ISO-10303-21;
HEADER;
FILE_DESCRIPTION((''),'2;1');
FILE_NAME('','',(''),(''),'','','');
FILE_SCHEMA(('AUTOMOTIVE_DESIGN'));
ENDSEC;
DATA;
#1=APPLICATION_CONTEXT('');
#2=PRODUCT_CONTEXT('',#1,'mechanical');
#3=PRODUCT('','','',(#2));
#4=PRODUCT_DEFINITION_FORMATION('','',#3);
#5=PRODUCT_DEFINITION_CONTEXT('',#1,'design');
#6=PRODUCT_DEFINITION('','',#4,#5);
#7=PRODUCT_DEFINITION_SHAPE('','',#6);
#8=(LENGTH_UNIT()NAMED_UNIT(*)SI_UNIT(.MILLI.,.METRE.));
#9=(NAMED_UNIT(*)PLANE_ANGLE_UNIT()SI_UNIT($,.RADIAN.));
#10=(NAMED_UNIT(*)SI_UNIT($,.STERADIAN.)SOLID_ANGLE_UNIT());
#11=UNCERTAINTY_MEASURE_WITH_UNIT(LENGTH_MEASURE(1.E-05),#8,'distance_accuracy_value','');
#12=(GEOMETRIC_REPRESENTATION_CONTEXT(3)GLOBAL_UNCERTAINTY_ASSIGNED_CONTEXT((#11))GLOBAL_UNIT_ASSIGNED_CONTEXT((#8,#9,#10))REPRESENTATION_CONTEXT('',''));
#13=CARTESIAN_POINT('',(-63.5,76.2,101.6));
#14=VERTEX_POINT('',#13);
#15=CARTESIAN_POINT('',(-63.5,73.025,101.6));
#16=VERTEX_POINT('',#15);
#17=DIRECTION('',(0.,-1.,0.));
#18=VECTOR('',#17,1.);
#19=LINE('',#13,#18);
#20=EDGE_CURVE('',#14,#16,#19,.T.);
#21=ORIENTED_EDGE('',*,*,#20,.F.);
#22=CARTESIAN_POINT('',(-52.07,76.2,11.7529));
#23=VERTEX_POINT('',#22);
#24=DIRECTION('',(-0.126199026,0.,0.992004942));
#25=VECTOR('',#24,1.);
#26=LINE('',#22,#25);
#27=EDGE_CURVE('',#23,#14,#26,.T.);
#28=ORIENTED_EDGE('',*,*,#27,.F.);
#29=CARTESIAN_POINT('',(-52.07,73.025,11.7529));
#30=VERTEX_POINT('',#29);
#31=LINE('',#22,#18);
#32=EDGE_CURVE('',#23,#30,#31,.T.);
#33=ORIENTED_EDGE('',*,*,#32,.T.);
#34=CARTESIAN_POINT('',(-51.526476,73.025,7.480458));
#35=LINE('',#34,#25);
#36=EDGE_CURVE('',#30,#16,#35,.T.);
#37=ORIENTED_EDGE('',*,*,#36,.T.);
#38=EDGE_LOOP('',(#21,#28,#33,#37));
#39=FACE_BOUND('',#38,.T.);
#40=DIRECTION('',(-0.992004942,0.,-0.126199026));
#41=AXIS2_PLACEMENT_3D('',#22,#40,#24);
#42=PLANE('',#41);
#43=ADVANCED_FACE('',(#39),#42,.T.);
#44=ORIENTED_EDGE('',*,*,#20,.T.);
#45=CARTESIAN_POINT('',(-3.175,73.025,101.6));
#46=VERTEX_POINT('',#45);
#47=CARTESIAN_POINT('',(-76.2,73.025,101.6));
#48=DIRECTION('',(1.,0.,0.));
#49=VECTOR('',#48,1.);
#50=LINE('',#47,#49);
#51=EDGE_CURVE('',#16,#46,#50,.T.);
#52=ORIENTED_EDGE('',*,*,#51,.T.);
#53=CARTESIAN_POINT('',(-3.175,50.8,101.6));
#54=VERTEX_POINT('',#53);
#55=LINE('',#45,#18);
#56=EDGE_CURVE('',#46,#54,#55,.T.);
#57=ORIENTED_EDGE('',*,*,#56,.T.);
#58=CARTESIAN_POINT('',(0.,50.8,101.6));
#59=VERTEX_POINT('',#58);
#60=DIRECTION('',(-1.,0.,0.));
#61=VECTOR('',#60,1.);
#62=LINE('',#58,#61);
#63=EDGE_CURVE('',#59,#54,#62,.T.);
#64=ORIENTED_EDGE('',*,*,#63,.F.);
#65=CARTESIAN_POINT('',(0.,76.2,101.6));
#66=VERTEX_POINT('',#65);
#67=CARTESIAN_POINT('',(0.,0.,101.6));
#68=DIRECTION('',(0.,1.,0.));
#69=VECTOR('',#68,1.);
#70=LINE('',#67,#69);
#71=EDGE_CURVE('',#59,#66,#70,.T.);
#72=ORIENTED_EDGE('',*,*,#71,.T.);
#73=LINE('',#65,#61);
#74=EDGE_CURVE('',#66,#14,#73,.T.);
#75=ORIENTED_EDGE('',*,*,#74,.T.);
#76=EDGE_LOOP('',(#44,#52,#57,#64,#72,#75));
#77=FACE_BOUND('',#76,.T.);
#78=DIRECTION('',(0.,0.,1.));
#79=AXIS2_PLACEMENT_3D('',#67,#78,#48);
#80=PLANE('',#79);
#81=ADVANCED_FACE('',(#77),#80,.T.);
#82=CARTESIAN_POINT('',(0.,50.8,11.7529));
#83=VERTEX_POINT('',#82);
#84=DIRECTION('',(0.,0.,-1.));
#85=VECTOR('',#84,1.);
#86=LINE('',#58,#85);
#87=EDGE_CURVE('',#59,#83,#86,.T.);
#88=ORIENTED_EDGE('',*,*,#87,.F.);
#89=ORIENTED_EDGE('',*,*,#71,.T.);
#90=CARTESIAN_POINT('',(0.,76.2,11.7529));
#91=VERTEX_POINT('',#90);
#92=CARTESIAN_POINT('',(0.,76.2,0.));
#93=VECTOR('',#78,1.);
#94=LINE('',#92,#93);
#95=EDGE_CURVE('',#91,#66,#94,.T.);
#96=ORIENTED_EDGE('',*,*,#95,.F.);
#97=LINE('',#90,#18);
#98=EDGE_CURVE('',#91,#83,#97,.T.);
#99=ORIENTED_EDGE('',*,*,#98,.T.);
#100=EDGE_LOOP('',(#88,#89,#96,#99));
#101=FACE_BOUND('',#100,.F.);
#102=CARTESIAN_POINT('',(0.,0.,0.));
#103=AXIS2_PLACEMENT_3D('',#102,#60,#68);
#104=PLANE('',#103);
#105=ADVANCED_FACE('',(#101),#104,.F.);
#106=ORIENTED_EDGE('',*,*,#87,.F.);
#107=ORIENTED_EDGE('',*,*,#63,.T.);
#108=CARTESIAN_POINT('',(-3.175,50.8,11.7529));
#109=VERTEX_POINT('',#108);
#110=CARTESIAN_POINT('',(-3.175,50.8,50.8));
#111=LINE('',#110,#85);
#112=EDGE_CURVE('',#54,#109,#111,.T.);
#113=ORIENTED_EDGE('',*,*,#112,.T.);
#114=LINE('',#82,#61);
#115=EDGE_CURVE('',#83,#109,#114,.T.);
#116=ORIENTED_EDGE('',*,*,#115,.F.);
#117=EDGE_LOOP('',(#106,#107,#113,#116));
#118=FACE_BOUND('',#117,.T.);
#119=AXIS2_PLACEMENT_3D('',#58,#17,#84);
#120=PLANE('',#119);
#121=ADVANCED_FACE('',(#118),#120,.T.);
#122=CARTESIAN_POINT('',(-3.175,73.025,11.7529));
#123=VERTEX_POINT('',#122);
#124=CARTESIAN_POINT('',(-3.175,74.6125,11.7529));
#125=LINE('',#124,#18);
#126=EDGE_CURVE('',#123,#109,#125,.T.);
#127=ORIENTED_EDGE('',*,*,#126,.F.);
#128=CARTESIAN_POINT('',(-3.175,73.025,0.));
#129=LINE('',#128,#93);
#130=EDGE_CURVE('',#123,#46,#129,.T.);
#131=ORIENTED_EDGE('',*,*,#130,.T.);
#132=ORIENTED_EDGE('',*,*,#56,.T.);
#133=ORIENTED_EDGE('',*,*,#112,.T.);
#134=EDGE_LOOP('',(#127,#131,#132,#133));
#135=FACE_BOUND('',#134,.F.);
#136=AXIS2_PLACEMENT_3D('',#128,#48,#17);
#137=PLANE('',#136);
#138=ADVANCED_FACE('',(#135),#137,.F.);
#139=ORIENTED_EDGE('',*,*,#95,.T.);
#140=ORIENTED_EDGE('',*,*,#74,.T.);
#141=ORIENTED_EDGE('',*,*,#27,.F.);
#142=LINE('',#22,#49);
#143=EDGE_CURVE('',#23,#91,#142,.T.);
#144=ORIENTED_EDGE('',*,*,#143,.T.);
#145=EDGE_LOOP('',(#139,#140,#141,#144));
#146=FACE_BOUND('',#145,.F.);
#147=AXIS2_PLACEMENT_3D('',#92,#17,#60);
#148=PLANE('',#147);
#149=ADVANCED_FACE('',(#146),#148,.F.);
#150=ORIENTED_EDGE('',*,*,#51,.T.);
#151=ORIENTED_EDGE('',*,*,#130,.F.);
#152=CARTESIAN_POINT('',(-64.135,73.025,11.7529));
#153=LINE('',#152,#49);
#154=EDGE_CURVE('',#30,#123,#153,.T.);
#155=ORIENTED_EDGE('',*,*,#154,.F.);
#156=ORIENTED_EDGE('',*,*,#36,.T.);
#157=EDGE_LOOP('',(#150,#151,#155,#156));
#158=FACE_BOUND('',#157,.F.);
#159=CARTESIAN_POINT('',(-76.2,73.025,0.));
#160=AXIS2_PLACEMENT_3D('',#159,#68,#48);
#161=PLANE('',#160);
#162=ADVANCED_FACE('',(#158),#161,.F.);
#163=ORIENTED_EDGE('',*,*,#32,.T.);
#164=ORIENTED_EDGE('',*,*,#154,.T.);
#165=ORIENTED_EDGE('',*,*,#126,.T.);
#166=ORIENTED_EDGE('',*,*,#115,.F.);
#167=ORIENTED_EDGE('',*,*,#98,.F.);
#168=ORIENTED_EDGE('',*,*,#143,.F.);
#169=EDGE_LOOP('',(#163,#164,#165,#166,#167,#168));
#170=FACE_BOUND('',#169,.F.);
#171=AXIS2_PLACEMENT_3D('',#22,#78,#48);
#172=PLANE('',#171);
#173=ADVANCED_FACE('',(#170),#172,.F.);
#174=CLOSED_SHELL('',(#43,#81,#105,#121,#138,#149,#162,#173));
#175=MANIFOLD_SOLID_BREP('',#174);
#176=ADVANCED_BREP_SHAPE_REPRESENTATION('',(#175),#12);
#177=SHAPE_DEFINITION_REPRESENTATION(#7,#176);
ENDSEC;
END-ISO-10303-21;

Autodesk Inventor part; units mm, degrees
sketch "Sketch3" plane through (0, 0, 0) normal (0, 0, 1) x (1, 0, 0)
  line L0 (0, 0) -> (0, 76.2)
  line L1 (0, 76.2) -> (-76.2, 76.2)
  line L2 (-76.2, 73.025) -> (-3.175, 73.025)
  line L3 (-3.175, 73.025) -> (-3.175, 0)
  line L4 (-76.2, 73.025) -> (-76.2, 76.2)
  line L5 (-3.175, 0) -> (0, 0)
  dimension "d8" = 76.2
  dimension "d9" = 76.2
  dimension "d10" = 3.175
extrude "Extrusion2" add sketch "Sketch3" along normal blind 101.6
sketch "Sketch4" plane through (-76.2, 76.2, 0) normal (0, 1, 0) x (1, 0, 0)
  line L0 (24.13, -11.7529) -> (12.7, -101.6)
  line L1 (0, 0) -> (0, -101.6) projected
  line L2 (24.13, -11.7529) -> (76.2, -11.7529)
  line L3 (76.2, 0) -> (0, 0) projected
  line L4 (76.2, 0) -> (0, 0)
  line L5 (76.2, 0) -> (76.2, -11.7529)
  line L6 (12.7, -101.6) -> (0, -101.6)
  line L7 (0, 0) -> (0, -101.6)
  line L8 (76.2, 0) -> (76.2, -101.6) projected
  dimension "d16" = 7.25
  dimension "d17" = 63.5
  dimension "d18" = 52.07
extrude "Extrusion3" cut sketch "Sketch4" against normal blind 76.2
ref_plane "Work Plane4" through (-3.175, 0, 101.6) normal (0, -0.7071, 0.7071) x (1, 0, 0)
ref_plane "Work Plane6" through (-63.5, 65.8978, 101.6) normal (0.1262, 0, -0.992) x (0, -1, 0)
sketch "Sketch6" plane through (0, 0, 101.6) normal (1, 0, 0) x (0, 0, -1)
  line L0 (0, 0) -> (0, 76.2) projected
  line L1 (0, 50.8) -> (89.8471, 50.8)
  line L2 (89.8471, 0) -> (0, 0) projected
  line L3 (89.8471, 50.8) -> (89.8471, 0)
  line L4 (89.8471, 0) -> (0, 0)
  line L5 (0, 0) -> (0, 50.8)
  point P0 (101.6, 0)
  dimension "d34" = 50.8
extrude "Extrusion5" cut sketch "Sketch6" against normal blind 25.4
ref_plane "Work Plane7" through (0, 50.8, 11.7529) normal (0, -0.7071, -0.7071) x (-1, 0, 0)
properties part number "BlockForShieldPlacement" material "Aluminum 6061"
